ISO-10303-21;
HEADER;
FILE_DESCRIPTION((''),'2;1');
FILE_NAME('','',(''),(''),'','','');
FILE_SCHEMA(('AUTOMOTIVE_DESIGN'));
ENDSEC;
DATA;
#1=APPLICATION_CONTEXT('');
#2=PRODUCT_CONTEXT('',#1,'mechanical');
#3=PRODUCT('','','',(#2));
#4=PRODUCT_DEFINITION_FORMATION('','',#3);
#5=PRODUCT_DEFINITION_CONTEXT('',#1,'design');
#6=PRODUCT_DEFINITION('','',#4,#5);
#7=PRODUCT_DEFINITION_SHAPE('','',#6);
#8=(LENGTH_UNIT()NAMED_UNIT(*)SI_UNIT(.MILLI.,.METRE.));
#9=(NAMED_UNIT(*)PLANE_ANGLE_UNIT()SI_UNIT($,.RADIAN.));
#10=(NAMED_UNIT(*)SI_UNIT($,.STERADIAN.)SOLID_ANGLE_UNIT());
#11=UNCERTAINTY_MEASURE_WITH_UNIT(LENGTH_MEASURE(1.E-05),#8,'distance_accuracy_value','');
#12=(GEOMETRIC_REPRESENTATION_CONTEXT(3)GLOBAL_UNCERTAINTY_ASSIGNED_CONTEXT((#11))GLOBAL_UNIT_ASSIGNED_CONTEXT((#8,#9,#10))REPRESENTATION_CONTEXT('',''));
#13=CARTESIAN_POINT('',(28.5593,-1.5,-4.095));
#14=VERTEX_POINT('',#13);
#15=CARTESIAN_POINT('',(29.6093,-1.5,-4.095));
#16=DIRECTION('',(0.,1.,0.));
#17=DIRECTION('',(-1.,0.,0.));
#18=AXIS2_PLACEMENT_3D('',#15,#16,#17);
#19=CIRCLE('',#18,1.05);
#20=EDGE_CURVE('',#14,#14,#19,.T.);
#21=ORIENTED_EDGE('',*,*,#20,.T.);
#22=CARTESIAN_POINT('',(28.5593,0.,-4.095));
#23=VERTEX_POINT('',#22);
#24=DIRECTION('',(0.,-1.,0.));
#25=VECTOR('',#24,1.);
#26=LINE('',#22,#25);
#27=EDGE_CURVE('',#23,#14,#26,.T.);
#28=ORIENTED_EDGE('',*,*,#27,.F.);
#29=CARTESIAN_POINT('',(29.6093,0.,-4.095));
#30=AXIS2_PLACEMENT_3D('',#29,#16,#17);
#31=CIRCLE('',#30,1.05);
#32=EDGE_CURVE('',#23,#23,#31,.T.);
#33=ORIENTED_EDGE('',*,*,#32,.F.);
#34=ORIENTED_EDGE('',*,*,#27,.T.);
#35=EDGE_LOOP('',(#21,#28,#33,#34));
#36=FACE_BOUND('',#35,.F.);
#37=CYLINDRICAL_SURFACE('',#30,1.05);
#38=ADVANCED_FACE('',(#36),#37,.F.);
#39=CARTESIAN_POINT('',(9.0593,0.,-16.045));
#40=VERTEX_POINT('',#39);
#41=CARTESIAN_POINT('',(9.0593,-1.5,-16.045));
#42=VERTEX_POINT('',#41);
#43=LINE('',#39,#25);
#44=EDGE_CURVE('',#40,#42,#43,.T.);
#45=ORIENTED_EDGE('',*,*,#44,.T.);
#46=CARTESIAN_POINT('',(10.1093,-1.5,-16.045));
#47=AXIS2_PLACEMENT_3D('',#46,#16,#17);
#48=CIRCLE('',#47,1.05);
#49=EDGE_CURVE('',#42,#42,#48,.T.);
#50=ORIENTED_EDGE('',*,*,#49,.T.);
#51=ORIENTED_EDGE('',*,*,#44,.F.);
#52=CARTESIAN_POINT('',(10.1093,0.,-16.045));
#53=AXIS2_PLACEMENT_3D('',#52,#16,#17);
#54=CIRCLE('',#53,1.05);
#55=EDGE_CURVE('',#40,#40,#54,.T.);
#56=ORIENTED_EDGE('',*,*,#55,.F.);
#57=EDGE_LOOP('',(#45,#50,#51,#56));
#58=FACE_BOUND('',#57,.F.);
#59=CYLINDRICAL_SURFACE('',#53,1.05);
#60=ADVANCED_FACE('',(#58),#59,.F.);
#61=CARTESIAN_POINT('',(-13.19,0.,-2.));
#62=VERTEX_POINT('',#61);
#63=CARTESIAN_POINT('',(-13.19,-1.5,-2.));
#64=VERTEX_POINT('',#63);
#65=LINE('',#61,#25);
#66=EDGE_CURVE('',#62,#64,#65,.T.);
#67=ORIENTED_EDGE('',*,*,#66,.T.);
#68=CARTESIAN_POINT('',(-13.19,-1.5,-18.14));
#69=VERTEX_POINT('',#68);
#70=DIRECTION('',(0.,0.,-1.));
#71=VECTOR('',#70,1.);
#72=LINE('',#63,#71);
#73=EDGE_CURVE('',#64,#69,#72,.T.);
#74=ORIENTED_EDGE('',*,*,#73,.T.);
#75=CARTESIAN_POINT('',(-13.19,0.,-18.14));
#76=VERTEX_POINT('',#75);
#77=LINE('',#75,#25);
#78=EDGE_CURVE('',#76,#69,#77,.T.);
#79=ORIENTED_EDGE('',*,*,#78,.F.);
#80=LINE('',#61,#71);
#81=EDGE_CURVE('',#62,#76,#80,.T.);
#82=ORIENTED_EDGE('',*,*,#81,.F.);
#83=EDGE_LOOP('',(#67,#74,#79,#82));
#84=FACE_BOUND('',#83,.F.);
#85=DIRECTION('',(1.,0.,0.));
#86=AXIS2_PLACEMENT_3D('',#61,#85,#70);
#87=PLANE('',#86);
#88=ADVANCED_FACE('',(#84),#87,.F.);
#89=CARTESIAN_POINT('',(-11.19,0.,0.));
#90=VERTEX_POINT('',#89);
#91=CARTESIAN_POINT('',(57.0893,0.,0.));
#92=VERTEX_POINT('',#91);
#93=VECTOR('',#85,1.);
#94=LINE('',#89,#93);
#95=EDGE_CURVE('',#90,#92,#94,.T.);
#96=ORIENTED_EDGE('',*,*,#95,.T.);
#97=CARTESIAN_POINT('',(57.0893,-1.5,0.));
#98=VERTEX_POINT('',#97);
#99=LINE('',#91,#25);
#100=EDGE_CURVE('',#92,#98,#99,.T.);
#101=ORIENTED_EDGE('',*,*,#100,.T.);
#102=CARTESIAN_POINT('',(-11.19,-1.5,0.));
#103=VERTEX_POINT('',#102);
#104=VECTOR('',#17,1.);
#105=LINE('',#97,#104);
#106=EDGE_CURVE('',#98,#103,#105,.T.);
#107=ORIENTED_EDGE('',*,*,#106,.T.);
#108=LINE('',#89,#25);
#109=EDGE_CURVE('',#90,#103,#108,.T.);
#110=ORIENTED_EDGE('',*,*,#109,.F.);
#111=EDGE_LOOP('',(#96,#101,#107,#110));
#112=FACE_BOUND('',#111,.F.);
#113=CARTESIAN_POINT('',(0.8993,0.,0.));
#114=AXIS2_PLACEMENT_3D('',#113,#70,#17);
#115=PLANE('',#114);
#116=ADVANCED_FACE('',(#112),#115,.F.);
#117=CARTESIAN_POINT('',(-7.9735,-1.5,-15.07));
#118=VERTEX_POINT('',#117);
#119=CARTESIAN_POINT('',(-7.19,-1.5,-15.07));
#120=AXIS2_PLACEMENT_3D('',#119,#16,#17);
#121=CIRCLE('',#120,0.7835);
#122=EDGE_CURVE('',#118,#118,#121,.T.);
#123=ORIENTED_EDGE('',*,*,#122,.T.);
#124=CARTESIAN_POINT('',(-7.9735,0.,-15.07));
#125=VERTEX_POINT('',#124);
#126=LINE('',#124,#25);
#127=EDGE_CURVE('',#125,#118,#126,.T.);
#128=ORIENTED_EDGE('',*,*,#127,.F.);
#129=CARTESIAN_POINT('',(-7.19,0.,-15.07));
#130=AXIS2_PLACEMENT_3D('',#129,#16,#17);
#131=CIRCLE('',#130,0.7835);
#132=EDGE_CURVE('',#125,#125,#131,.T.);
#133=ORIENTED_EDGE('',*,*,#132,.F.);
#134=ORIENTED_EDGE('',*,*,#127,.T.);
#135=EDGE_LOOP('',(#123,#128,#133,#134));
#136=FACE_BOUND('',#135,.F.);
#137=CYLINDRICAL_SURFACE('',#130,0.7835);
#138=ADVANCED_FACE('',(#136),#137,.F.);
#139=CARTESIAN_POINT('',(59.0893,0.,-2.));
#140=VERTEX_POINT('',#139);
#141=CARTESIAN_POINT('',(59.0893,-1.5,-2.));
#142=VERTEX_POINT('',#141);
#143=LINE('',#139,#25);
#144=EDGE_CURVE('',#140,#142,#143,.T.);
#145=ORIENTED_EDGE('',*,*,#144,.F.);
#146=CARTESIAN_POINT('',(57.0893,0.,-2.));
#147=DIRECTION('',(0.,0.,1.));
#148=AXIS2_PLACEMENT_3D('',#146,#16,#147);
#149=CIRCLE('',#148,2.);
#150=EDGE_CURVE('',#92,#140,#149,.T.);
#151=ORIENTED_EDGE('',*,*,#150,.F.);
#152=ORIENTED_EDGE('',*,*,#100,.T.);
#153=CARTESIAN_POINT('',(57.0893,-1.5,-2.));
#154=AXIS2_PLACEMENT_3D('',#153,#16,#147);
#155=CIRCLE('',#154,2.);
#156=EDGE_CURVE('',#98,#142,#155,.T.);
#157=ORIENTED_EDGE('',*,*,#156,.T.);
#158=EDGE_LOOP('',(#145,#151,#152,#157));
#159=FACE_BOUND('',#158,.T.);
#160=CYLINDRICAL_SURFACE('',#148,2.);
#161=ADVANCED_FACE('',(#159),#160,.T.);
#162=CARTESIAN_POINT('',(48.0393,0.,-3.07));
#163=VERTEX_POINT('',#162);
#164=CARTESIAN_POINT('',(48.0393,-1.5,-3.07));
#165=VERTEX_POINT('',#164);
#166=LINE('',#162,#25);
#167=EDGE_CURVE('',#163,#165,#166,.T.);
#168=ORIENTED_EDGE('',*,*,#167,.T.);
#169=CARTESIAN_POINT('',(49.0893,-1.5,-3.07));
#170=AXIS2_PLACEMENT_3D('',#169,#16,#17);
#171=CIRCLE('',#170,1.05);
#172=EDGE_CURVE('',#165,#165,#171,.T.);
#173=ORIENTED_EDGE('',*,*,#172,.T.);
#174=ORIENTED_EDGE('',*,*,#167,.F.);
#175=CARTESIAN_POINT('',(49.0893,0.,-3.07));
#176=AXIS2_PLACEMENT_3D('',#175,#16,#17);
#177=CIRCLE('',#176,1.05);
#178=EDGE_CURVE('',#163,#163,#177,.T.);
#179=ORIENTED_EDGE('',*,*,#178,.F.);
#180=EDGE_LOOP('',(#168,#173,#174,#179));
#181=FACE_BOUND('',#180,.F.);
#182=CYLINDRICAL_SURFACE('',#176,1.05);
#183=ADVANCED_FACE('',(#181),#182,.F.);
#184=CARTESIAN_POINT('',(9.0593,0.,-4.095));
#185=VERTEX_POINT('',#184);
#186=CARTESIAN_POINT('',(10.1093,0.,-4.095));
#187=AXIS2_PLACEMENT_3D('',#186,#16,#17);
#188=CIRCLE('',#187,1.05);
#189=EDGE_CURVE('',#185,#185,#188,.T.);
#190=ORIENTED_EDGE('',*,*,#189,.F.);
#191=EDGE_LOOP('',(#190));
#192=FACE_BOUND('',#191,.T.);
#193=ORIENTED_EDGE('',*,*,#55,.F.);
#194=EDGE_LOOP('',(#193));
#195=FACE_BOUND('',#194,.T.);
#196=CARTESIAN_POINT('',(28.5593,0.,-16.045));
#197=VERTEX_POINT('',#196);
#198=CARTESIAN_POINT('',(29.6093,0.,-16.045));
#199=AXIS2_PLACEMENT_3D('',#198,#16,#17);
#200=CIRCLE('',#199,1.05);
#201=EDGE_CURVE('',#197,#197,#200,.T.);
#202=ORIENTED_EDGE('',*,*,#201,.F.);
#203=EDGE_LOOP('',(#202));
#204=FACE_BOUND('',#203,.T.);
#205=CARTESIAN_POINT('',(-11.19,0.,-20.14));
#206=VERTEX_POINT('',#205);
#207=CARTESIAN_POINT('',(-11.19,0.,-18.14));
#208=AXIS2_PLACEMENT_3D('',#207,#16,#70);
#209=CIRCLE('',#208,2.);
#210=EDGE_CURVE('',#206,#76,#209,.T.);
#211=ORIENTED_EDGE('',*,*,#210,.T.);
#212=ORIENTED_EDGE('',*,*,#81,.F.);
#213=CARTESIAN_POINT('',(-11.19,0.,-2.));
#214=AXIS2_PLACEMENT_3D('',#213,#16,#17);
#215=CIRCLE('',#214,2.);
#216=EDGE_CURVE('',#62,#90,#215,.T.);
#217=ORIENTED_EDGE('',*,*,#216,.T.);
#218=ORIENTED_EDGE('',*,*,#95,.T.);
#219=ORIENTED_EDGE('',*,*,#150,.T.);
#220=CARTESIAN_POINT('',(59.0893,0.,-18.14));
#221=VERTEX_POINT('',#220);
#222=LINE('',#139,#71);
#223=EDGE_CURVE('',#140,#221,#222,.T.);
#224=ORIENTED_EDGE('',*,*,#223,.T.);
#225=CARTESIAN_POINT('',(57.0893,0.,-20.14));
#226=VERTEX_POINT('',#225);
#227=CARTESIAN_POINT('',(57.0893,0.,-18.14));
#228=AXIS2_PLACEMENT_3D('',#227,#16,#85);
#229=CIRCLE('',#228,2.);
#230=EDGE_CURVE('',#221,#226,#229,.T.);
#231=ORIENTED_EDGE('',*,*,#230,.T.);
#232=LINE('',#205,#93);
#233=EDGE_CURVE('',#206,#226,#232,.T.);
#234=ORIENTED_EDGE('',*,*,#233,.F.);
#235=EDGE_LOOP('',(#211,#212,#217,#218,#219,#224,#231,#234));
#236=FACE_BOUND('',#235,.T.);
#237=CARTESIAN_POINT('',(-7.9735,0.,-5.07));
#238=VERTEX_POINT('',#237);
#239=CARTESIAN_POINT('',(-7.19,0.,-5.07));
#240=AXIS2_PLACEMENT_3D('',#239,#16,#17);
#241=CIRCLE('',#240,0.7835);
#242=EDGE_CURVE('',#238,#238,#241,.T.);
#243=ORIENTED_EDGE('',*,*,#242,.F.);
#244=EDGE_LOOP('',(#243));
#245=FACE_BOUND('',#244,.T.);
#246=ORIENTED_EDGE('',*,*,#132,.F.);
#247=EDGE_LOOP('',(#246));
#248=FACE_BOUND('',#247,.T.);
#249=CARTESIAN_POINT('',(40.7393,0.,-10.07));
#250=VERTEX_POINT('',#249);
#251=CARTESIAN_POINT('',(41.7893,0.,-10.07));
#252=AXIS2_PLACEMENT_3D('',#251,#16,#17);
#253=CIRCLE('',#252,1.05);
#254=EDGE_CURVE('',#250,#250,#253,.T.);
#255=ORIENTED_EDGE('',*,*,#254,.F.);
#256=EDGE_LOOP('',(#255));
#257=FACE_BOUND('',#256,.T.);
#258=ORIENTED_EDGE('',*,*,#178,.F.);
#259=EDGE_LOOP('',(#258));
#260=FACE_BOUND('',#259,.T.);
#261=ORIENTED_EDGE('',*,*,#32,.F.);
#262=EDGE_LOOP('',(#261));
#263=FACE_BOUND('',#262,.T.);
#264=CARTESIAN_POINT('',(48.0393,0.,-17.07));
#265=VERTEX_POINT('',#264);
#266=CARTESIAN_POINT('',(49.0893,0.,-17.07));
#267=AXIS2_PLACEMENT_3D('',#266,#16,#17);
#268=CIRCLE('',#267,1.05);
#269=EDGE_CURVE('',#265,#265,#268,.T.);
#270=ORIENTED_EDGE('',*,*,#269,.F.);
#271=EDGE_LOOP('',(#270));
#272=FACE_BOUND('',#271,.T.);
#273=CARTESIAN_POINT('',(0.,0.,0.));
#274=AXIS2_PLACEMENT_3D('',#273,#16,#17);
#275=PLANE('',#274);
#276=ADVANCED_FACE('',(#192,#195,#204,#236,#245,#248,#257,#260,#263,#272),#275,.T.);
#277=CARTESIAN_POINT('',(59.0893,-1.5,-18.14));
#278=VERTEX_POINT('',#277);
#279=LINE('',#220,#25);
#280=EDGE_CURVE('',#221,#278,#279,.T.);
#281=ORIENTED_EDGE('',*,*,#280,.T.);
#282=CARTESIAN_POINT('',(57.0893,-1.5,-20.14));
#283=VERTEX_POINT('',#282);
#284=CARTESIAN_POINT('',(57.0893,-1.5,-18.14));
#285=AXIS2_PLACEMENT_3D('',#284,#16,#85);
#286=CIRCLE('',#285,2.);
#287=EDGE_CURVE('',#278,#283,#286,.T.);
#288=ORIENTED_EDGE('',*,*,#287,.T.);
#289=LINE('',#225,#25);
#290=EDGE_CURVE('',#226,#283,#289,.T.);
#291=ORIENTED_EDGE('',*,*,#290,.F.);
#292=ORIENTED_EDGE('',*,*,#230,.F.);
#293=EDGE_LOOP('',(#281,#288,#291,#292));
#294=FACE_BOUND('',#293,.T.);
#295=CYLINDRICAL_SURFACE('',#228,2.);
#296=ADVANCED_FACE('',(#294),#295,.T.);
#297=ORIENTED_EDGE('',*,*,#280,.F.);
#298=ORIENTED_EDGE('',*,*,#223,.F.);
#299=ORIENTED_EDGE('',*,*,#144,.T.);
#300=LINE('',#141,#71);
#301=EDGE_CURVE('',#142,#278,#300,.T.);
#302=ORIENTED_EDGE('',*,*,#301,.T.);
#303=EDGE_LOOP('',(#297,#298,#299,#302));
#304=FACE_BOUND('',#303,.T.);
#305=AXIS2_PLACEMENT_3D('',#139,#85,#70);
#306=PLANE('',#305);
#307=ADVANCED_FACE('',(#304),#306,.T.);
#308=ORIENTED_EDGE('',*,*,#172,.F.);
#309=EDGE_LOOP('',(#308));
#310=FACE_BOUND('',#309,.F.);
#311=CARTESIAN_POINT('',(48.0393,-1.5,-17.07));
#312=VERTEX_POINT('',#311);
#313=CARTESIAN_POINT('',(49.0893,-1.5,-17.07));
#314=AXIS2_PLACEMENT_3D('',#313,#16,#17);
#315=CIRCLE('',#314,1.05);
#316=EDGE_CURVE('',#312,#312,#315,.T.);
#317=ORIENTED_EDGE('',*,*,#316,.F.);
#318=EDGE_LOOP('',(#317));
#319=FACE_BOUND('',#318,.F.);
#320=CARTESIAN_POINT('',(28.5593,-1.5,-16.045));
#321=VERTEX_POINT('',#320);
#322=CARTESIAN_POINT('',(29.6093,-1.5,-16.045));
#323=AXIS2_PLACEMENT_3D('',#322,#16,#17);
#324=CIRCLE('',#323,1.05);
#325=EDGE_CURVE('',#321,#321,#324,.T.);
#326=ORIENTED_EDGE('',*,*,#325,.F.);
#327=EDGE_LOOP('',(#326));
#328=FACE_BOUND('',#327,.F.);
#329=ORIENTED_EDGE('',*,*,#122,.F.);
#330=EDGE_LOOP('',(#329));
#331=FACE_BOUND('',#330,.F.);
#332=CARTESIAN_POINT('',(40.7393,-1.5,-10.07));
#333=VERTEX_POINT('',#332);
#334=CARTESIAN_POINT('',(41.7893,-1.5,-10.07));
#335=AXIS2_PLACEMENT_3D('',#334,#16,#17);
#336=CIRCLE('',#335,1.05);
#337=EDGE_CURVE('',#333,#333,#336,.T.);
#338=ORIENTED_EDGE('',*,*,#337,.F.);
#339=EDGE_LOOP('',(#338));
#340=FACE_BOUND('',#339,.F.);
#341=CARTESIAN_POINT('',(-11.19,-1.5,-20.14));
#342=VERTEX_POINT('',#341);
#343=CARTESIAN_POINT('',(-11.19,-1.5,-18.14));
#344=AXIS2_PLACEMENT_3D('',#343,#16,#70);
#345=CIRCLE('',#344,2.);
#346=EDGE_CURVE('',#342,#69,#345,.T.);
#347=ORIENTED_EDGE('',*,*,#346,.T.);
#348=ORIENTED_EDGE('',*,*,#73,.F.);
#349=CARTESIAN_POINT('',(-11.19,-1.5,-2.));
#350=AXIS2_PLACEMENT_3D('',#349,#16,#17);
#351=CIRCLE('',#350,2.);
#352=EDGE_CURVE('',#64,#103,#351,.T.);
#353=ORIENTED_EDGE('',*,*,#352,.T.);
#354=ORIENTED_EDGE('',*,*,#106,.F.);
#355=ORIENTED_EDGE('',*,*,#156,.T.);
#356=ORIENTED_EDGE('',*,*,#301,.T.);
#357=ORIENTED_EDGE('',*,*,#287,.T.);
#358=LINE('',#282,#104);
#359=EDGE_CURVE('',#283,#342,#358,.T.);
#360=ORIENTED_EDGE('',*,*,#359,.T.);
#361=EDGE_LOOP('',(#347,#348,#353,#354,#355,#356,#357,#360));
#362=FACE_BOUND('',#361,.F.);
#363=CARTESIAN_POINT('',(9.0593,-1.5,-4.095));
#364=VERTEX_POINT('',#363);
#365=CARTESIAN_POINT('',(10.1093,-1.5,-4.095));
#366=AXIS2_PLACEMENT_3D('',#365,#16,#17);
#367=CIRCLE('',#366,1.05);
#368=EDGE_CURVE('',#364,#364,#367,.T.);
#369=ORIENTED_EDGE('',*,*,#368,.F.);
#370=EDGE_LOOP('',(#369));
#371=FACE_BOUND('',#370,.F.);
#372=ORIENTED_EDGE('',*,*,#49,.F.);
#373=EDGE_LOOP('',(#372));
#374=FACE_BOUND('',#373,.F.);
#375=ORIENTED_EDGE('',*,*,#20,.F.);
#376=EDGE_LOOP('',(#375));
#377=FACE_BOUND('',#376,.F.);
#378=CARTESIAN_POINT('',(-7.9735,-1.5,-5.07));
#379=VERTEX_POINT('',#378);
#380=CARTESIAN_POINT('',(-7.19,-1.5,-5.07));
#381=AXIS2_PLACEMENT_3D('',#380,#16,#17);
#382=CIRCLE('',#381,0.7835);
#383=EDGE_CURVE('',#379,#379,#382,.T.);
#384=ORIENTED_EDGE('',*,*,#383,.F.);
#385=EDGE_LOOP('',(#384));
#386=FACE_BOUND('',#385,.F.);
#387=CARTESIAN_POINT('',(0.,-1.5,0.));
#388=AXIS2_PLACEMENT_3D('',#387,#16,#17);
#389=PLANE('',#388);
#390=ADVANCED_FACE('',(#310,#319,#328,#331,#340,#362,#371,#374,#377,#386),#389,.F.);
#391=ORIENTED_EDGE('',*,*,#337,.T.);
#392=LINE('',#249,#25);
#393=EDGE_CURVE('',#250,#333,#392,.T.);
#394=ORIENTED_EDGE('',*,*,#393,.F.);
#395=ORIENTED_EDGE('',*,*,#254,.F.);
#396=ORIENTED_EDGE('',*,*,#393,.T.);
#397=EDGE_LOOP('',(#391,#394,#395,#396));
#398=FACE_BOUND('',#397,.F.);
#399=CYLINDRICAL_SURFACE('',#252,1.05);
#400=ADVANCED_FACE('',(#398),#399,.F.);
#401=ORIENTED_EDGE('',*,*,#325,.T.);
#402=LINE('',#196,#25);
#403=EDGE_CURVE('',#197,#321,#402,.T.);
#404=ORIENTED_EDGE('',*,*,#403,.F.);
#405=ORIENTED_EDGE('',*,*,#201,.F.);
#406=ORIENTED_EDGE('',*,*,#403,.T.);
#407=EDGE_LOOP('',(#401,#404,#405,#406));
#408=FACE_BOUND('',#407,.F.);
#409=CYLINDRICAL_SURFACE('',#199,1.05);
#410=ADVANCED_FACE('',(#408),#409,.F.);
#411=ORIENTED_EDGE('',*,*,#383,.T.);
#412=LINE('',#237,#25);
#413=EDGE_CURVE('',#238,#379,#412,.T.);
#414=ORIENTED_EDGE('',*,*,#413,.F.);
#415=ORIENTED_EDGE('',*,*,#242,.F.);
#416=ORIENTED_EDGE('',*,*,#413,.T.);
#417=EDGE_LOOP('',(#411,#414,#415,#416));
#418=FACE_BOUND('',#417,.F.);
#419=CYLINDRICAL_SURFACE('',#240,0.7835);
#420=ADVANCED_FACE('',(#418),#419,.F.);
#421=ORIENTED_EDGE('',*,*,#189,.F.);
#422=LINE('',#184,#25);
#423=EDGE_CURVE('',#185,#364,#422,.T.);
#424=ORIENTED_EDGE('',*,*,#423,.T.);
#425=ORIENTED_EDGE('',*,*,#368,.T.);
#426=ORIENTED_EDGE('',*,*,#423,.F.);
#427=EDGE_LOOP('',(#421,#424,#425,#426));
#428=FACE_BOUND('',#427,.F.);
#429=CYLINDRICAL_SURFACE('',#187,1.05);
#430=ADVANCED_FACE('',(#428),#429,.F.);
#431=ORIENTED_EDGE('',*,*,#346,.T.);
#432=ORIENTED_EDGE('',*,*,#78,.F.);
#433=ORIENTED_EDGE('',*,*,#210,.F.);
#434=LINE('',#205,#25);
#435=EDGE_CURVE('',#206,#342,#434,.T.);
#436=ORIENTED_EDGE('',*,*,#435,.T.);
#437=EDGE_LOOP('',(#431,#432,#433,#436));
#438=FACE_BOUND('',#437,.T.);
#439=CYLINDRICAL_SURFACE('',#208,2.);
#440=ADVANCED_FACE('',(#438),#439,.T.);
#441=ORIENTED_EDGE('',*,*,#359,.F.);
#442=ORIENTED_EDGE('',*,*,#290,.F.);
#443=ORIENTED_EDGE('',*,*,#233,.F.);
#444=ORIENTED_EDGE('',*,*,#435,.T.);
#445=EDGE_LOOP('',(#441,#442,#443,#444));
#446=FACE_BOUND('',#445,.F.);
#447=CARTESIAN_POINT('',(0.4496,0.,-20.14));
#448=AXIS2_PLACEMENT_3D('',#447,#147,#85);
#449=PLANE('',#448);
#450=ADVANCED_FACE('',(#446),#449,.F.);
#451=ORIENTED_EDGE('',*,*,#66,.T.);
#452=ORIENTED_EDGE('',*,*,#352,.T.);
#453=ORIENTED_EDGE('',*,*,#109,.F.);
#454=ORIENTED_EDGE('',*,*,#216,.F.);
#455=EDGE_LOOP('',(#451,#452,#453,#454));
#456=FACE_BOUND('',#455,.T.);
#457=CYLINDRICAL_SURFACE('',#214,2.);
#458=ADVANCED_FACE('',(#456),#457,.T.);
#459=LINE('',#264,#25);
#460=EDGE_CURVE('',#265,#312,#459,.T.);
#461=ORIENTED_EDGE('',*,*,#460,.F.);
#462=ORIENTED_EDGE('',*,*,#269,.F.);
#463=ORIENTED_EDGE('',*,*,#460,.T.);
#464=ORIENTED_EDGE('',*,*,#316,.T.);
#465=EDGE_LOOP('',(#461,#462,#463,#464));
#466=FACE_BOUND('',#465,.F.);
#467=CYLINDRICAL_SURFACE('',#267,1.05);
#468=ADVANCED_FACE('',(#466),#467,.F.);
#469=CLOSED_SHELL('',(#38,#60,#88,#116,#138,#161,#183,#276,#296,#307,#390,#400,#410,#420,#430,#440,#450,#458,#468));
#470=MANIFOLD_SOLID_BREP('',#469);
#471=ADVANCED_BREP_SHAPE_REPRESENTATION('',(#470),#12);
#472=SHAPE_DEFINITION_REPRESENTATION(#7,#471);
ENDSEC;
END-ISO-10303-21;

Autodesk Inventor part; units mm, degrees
ref_plane "YZ Plane" through (0, 0, 0) normal (1, 0, 0) x (0, 1, 0)
ref_plane "XZ Plane" through (0, 0, 0) normal (0, 1, 0) x (-1, 0, 0)
ref_plane "XY Plane" through (0, 0, 0) normal (0, 0, 1) x (1, 0, 0)
sketch "Sketch1" plane through (0, 0, 0) normal (0, 1, 0) x (-1, 0, 0)
  line L0 (-0.4496, -20.14) -> (-0.4496, 0)
  circle A0 centre (-29.6093, -16.045) radius 1.05
  circle A1 centre (-29.6093, -4.095) radius 1.05
  circle A2 centre (-10.1093, -4.095) radius 1.05
  circle A3 centre (-10.1093, -16.045) radius 1.05
  circle A4 centre (7.19, -5.07) radius 0.7835
  circle A5 centre (7.19, -15.07) radius 0.7835
  circle A6 centre (-41.7893, -10.07) radius 1.05
  circle A7 centre (-49.0893, -17.07) radius 1.05
  circle A8 centre (-49.0893, -3.07) radius 1.05
  arc A9 (-59.0893, -18.14) -> (-57.0893, -20.14) centre (-57.0893, -18.14) ccw
  line L1 (-59.0893, -2) -> (-59.0893, -18.14)
  arc A10 (-57.0893, 0) -> (-59.0893, -2) centre (-57.0893, -2) ccw
  arc A11 (11.19, -20.14) -> (13.19, -18.14) centre (11.19, -18.14) ccw
  line L2 (13.19, -2) -> (13.19, -18.14)
  arc A12 (13.19, -2) -> (11.19, 0) centre (11.19, -2) ccw
  line L3 (-57.0893, 0) -> (11.19, 0)
  line L4 (11.19, -20.14) -> (-57.0893, -20.14)
  line L5 (-0.8993, -20.14) -> (-0.8993, 0)
  line L6 (0, 0) -> (0, -20.14)
extrude "Plate1" add sketch "Sketch1" against normal blind 1.5
equation "\"d0\" = Thickness"
equation "\"BendReliefWidth\" = Thickness"
equation "\"BendReliefDepth\" = 0.5 * Thickness"
equation "\"CornerReliefSize\" = 4 * Thickness"
equation "\"MinimumRemnant\" = 2 * Thickness"
equation "\"TransitionRadius\" = BendRadius"
equation "\"JacobiRadiusSize\" = BendRadius"
equation "\"GapSize\" = Thickness"
equation "\"Thickness\" = 1.5"
equation "\"BendRadius\" = 0.31"
properties part number "CAM_servo_bracket_top" material "Aluminum 6061"
